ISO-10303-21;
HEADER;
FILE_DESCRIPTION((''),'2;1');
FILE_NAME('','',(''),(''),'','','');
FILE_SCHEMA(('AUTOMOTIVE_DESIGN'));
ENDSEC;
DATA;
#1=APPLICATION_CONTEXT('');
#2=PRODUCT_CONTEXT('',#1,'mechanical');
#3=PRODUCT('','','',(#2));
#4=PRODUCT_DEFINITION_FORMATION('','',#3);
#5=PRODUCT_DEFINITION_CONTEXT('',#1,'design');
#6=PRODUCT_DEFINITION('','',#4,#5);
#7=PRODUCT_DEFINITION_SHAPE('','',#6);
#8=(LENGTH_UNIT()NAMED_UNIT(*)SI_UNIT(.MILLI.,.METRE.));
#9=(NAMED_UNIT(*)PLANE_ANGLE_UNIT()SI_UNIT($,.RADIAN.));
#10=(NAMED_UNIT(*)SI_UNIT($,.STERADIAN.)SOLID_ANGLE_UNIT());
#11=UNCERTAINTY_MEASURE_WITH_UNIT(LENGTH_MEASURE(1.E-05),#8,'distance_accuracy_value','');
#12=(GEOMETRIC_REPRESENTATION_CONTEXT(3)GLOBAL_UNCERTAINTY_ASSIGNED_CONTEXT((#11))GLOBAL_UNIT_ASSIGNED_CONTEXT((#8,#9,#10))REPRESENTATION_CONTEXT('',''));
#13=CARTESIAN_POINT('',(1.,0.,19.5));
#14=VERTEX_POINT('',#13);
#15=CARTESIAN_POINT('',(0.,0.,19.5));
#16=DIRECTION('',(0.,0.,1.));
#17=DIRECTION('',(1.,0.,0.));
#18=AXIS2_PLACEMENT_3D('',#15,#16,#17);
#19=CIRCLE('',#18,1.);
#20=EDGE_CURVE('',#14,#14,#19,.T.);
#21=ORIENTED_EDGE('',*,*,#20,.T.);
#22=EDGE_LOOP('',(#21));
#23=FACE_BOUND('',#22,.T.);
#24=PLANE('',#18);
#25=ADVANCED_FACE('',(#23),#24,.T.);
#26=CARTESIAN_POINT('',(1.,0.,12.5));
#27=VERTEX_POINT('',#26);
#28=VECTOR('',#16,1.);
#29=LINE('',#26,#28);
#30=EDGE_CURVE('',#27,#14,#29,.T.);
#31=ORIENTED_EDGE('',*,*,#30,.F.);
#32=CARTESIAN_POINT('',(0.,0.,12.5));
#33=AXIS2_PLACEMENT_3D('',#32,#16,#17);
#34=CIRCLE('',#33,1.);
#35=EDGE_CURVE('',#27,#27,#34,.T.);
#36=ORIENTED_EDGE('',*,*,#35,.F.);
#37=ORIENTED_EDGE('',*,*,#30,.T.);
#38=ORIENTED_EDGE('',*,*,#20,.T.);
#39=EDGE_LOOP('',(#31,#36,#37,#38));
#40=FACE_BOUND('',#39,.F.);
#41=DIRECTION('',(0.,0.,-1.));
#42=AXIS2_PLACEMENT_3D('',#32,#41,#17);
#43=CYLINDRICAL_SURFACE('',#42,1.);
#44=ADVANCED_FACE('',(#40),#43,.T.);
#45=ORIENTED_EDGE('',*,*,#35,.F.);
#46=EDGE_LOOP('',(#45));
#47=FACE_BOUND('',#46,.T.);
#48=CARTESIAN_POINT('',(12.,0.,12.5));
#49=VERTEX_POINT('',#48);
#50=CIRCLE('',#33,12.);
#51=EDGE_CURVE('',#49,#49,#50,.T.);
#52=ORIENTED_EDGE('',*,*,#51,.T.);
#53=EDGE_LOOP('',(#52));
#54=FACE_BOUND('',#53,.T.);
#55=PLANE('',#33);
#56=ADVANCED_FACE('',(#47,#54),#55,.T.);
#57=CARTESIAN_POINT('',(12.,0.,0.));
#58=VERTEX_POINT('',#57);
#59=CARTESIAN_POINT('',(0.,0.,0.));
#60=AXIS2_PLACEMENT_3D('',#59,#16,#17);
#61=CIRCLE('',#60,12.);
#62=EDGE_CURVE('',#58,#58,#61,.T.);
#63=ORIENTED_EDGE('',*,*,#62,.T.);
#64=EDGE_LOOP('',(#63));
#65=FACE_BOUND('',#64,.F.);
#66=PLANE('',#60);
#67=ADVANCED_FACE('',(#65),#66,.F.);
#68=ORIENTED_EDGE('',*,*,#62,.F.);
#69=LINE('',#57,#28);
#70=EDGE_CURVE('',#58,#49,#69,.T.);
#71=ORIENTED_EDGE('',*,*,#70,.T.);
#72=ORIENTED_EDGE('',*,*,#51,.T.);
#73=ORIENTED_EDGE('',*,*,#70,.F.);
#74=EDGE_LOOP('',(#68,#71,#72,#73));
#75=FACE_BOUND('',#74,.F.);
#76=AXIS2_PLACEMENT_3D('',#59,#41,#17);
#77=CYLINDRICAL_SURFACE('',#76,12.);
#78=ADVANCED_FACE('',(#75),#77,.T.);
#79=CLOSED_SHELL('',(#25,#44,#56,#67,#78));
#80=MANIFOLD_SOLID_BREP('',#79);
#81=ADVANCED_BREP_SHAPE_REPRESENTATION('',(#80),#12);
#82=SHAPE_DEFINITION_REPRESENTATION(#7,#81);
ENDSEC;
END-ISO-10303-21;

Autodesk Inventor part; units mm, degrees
ref_plane "Plan YZ" through (0, 0, 0) normal (1, 0, 0) x (0, 1, 0)
ref_plane "Plan XZ" through (0, 0, 0) normal (0, 1, 0) x (-1, 0, 0)
ref_plane "Plan XY" through (0, 0, 0) normal (0, 0, 1) x (1, 0, 0)
sketch "Esquisse1" plane through (0, 0, 0) normal (0, 0, 1) x (1, 0, 0)
  circle A0 centre (0, 0) radius 12
  dimension "d0" = 24
extrude "Extrusion1" add sketch "Esquisse1" along normal blind 12.5
sketch "Esquisse6" plane through (0, 0, 12.5) normal (0, 0, 1) x (1, 0, 0)
  circle A0 centre (0, 0) radius 1
  dimension "d3" = 2
extrude "Extrusion2" add sketch "Esquisse6" along normal blind 7
properties part number "P1704_015_rumble" material "."
